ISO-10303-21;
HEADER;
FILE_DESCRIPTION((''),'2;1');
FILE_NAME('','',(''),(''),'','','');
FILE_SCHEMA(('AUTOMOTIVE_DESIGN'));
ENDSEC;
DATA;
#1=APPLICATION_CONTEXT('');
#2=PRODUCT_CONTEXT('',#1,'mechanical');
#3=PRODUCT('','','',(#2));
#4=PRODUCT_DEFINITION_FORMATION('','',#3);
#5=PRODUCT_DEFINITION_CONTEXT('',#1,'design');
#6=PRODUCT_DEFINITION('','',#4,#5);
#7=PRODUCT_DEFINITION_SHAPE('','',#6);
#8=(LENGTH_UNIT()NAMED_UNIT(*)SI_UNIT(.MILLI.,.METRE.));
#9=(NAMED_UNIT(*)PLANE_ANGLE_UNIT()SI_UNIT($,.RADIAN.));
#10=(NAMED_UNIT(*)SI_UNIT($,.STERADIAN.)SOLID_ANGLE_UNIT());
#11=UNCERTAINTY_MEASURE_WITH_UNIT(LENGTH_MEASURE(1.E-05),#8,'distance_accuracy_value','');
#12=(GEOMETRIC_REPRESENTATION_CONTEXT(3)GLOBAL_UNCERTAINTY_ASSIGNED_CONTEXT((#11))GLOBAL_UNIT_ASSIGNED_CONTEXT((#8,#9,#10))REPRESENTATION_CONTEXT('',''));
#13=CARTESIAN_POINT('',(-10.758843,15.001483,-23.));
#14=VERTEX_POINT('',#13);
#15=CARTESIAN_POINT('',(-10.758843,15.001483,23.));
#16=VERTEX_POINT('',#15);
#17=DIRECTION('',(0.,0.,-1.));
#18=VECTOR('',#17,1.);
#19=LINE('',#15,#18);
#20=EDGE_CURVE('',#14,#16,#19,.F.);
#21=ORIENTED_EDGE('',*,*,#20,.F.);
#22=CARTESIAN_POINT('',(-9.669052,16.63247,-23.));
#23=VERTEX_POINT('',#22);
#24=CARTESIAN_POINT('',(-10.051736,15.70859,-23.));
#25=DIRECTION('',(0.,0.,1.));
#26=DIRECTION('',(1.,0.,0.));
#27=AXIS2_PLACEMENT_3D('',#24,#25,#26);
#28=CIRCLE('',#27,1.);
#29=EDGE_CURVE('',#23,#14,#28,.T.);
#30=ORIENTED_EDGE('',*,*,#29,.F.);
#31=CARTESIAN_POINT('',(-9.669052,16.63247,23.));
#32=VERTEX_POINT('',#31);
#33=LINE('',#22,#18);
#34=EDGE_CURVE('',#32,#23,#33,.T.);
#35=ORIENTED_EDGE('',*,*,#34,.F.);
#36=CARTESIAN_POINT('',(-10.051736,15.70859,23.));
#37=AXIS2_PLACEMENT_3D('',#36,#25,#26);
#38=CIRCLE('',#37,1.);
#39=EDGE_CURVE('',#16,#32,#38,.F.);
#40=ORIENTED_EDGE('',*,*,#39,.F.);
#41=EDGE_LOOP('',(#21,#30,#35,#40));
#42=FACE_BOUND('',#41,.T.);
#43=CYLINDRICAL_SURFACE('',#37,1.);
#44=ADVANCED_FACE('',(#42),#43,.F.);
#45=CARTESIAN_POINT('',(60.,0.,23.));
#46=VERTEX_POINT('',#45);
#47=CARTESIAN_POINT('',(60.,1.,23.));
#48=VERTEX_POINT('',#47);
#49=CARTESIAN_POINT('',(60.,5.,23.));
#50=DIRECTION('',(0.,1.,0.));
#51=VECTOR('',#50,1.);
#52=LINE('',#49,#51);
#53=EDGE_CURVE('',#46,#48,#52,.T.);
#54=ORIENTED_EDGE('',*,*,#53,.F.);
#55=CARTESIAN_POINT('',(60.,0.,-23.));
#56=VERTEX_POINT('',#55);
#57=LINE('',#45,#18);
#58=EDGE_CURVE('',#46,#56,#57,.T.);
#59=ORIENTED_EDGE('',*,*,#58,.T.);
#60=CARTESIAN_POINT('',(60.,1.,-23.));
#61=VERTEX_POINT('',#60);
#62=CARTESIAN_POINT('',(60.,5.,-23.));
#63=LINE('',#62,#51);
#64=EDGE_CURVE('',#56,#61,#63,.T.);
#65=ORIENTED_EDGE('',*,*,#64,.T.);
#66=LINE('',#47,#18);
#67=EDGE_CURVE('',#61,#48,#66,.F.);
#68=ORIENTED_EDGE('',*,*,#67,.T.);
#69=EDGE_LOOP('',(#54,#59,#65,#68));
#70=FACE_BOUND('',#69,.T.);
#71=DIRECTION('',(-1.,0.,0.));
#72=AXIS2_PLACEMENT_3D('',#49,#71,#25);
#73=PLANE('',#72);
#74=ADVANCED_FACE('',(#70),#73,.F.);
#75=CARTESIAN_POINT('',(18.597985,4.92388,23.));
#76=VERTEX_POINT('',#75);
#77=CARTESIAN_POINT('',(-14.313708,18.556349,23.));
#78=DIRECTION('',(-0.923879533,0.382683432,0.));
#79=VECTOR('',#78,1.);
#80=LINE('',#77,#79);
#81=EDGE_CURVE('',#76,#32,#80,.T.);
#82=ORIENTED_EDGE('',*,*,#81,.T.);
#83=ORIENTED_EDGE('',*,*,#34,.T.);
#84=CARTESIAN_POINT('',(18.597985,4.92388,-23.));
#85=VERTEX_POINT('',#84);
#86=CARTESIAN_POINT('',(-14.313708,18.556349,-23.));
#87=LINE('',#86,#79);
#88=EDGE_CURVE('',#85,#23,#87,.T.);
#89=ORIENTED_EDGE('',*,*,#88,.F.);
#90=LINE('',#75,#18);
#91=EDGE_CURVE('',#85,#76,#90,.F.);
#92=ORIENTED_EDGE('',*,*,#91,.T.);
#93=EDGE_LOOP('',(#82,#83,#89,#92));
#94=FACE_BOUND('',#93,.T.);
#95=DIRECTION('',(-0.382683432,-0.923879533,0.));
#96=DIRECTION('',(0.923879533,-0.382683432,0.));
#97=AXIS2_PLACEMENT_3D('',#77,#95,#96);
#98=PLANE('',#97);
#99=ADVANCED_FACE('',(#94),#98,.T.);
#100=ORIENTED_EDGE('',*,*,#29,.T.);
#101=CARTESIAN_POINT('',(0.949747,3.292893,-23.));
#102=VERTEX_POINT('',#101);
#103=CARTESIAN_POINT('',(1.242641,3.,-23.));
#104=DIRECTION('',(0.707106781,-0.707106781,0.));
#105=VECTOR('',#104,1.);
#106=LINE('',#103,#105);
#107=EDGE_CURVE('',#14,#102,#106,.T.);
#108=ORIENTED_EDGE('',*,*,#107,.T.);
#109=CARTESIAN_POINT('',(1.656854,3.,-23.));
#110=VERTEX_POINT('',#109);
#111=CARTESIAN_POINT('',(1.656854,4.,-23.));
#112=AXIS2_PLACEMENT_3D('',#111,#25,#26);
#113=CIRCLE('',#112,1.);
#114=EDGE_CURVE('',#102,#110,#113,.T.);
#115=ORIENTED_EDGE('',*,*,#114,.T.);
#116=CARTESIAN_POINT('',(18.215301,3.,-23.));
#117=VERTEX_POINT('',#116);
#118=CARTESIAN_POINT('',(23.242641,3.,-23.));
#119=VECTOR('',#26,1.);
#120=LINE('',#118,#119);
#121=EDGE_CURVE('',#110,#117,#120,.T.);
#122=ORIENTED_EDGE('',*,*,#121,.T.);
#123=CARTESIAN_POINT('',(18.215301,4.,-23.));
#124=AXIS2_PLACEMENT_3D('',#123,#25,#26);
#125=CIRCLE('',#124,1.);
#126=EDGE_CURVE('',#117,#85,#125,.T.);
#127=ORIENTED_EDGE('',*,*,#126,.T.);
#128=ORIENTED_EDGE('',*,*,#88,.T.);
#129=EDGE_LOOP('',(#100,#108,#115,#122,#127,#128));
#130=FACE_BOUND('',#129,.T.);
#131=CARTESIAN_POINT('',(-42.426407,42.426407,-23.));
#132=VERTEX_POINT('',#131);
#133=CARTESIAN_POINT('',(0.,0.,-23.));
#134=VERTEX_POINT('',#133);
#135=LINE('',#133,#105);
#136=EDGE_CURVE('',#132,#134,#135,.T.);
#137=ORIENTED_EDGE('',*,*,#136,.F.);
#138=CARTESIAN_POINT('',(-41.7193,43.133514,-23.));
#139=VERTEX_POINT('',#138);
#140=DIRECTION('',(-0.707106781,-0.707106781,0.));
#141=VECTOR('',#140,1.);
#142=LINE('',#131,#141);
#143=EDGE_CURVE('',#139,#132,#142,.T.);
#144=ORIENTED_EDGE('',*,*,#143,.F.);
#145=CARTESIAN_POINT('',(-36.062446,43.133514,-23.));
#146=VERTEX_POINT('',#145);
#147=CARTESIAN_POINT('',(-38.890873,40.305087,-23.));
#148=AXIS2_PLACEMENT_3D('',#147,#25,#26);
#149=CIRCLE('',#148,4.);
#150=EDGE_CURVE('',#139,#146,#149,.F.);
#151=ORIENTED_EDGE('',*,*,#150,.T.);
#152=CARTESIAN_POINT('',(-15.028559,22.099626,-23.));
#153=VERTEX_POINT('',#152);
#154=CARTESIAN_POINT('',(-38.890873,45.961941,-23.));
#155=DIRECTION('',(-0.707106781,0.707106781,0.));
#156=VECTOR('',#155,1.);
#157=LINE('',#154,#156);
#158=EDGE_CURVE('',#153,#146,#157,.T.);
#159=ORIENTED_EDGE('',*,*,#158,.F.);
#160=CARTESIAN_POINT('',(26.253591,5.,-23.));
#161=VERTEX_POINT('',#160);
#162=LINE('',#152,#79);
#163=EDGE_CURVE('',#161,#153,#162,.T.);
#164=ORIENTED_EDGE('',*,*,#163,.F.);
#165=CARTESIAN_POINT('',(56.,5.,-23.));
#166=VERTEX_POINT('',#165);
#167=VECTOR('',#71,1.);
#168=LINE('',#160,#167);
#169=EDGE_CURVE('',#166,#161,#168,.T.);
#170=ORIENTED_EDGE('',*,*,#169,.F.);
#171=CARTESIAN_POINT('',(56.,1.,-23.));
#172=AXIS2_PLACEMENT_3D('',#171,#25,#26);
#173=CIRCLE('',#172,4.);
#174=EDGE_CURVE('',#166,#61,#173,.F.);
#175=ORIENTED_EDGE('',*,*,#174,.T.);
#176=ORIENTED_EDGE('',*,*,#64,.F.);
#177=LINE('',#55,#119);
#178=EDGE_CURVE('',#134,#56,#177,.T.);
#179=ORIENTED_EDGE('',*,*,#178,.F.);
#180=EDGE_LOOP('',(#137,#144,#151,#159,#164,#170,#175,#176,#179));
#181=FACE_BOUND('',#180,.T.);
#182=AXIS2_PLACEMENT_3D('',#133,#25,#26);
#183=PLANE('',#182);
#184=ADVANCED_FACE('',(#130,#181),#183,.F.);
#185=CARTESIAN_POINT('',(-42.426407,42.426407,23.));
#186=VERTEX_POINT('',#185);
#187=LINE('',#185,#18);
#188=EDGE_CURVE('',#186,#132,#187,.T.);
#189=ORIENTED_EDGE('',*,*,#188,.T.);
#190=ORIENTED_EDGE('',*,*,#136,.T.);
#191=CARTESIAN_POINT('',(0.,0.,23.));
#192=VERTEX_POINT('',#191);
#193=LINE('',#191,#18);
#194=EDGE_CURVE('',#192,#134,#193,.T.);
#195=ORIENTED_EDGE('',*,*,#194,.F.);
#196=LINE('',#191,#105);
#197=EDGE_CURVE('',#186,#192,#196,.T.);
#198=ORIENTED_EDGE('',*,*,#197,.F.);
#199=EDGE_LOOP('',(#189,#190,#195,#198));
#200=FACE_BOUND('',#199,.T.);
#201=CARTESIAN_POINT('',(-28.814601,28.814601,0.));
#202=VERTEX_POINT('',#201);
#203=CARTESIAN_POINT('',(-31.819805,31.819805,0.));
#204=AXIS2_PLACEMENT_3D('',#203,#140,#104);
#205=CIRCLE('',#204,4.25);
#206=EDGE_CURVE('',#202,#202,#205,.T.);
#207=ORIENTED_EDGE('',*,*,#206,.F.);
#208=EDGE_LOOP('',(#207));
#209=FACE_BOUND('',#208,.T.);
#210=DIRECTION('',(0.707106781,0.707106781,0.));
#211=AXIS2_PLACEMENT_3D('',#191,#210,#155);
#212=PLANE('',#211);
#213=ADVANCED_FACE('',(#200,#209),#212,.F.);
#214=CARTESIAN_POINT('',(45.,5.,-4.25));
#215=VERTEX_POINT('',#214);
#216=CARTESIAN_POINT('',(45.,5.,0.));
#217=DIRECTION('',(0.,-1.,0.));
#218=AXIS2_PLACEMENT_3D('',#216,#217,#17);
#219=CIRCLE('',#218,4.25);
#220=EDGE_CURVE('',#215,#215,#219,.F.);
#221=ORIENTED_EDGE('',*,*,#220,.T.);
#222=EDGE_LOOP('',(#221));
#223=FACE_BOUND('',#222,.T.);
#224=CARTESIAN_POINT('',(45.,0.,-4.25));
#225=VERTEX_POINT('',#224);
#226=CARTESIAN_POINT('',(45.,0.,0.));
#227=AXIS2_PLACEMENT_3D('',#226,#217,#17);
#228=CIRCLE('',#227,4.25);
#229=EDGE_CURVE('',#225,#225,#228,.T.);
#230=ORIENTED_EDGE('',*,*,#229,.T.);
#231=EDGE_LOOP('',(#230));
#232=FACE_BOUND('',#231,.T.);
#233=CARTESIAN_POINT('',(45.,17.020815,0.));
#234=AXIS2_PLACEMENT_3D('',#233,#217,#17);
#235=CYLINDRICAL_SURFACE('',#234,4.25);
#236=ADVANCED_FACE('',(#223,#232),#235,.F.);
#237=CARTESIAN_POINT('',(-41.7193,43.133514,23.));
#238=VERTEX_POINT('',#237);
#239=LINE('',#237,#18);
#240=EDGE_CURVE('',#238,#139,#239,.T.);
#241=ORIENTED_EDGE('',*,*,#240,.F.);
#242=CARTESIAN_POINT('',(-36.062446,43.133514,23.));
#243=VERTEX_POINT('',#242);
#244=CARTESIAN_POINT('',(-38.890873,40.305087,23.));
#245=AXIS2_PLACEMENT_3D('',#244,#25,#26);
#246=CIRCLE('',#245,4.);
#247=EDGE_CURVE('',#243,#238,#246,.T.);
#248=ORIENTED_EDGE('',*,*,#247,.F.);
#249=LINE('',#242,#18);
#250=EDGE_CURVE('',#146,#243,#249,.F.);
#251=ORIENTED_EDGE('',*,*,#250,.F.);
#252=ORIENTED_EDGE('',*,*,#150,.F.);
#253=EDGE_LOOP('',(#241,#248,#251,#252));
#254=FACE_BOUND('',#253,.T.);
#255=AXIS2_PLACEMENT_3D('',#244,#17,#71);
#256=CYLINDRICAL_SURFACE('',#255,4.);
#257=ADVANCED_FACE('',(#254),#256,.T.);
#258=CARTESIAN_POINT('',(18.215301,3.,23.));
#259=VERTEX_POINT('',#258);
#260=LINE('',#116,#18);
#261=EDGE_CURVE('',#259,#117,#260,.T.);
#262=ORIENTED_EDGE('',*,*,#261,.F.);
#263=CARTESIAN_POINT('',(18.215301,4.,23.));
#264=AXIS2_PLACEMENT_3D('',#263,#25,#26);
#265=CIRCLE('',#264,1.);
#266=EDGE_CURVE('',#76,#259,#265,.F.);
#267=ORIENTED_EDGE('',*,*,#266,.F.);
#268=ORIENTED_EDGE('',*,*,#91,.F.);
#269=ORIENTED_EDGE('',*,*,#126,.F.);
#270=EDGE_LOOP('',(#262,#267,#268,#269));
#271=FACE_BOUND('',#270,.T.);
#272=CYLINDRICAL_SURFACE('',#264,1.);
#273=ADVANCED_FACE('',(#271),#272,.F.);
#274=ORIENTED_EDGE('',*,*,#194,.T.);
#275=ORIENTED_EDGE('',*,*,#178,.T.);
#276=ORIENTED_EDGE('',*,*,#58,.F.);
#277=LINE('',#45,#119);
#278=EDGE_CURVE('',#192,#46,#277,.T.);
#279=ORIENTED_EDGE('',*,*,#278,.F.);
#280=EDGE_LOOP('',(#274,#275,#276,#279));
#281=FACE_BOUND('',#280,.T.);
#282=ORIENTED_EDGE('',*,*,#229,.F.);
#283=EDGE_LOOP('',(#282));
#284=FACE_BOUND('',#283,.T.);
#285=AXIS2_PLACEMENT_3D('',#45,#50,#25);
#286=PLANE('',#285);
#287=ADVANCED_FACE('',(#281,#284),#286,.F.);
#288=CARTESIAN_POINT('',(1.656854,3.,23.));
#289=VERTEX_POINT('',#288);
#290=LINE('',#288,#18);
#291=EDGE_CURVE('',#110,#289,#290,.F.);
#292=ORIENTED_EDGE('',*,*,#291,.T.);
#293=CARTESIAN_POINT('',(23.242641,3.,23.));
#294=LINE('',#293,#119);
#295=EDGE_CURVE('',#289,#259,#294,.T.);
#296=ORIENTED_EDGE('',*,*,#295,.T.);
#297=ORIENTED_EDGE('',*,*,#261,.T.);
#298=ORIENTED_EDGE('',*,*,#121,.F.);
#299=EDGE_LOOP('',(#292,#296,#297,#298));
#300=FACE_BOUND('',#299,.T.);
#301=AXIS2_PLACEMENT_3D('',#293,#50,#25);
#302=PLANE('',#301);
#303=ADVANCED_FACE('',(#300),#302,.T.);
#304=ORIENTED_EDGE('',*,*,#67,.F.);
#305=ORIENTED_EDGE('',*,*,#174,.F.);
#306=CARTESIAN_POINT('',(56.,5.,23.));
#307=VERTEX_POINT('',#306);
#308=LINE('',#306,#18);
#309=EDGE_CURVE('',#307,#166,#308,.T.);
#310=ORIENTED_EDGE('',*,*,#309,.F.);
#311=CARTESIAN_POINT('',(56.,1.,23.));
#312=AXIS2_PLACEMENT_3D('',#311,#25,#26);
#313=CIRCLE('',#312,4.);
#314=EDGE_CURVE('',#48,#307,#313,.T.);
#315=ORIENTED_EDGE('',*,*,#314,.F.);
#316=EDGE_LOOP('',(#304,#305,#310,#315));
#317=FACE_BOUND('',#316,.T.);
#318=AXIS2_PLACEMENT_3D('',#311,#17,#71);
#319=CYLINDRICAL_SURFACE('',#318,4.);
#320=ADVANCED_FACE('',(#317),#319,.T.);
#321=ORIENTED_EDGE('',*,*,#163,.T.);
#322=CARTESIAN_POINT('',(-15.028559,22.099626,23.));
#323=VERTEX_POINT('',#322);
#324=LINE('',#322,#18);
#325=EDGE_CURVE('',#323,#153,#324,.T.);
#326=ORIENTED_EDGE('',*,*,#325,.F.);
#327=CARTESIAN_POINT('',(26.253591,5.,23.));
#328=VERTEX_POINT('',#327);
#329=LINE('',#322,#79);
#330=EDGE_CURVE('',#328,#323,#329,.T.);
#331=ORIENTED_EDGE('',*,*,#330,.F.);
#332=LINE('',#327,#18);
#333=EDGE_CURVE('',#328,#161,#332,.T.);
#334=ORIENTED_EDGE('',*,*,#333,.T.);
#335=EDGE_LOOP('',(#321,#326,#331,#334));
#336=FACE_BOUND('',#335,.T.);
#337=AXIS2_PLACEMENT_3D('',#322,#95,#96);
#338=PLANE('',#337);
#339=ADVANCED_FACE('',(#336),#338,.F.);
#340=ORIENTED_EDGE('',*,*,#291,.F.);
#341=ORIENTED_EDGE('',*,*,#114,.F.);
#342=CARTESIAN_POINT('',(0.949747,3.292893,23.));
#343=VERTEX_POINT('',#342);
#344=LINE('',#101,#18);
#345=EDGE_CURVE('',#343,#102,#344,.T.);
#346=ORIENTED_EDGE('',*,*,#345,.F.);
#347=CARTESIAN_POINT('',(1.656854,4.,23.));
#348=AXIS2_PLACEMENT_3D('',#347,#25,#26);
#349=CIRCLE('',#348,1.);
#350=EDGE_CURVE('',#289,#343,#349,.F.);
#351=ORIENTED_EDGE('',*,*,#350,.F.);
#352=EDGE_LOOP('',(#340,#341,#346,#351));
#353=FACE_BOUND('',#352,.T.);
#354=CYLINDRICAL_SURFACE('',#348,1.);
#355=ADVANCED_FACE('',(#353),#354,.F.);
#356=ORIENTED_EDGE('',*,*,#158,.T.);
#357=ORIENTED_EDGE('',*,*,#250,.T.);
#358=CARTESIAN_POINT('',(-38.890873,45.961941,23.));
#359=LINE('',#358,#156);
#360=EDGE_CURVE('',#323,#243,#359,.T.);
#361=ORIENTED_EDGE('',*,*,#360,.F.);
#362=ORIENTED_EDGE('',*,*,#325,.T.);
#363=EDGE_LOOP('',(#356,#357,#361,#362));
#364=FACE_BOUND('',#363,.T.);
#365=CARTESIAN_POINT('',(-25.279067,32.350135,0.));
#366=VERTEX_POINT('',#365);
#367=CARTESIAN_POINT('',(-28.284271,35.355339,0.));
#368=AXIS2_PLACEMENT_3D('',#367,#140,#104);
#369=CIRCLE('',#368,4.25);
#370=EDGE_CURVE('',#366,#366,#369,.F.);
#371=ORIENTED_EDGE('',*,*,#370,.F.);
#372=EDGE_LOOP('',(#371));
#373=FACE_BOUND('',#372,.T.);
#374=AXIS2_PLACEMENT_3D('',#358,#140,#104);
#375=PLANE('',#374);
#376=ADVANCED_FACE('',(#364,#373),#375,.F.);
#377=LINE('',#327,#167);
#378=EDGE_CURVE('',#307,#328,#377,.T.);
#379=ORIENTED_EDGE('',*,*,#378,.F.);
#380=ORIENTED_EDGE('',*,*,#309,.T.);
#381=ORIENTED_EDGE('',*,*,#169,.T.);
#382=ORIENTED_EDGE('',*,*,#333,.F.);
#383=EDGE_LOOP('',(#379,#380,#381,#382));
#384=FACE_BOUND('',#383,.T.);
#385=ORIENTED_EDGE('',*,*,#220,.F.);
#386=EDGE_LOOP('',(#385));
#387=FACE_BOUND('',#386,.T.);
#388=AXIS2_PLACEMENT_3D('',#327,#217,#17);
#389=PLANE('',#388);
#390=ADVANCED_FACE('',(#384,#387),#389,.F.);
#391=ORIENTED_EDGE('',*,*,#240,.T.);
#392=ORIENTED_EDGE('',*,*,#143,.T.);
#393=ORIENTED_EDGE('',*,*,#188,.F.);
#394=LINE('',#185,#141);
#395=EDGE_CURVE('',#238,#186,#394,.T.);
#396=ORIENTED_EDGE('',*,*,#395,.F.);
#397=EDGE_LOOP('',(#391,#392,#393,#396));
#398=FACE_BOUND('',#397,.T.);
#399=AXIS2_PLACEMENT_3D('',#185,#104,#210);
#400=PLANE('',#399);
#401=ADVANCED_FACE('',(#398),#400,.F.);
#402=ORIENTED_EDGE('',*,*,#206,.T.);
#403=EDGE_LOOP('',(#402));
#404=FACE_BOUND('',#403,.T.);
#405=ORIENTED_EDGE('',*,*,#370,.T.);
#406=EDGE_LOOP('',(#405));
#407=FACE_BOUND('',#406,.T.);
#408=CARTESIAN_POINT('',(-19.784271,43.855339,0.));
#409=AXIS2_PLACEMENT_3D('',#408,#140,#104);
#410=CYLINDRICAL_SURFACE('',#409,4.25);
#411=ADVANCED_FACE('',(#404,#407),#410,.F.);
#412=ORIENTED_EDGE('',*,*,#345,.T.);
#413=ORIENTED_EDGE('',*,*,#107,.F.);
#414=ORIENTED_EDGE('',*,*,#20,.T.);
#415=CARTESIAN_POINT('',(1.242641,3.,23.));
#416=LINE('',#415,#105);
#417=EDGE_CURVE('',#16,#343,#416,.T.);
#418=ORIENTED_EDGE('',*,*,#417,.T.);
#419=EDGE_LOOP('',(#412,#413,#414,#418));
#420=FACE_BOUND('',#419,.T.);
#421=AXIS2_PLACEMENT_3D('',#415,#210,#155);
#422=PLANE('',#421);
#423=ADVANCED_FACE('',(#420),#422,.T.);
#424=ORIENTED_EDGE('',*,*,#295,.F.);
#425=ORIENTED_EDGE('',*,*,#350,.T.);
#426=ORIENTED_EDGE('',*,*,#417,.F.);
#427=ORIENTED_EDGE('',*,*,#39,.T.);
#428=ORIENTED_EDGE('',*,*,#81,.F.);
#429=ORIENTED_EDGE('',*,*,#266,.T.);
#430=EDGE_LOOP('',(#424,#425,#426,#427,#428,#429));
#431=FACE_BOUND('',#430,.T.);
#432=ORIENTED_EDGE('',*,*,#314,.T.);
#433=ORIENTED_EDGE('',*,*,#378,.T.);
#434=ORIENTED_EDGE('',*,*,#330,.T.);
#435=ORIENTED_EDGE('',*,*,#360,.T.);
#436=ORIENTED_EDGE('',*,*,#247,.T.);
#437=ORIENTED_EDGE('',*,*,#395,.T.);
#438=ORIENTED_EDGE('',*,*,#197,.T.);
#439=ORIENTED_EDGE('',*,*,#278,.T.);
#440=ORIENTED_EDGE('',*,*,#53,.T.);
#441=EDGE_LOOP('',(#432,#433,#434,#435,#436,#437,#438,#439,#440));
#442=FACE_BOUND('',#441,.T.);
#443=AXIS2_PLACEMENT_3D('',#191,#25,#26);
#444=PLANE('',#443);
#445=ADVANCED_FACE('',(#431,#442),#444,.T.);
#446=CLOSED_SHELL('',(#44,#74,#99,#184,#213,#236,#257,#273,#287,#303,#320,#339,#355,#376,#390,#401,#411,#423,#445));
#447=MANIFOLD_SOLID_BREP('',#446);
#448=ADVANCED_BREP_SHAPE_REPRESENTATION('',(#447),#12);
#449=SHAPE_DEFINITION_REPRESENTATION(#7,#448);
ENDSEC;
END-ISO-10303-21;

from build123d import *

# Parameters (mm, degrees)
EXTRUDE_1_DEPTH     = 23
SKETCH_2_R          = 4.25
CUT_EXTRUDE_1_DEPTH = 5
SKETCH_3_R          = 4.25
CUT_EXTRUDE_2_DEPTH = 5
FILLET_1_R          = 4
FILLET_2_R          = 1


with BuildPart() as part:
    # Эскиз1 → Бобышка-Вытянуть1 (new body, symmetric)
    with BuildSketch(Plane.XY):
        Polygon((0, 0), (-42.426406871, 42.426406871), (-38.890872965, 45.961940777), (-15.028558569, 22.099626381), (26.253591352, 5), (60, 5), (60, 0), align=None)
        Polygon((-14.313708499, 18.556349186), (23.242640687, 3), (1.242640687, 3), align=None, mode=Mode.SUBTRACT)
    extrude(amount=EXTRUDE_1_DEPTH, both=True)

    # Эскиз2 → Вырез-Вытянуть1 (cut)
    with BuildSketch(Plane(origin=(0, 0, 0), x_dir=(0, 0, 1), z_dir=(-0.707106781, -0.707106781, 0))):
        with Locations(Location((0, 45, 0), (0, 0, 270))):  # turned: the seam where the file's is
            Circle(SKETCH_2_R)
    extrude(amount=-CUT_EXTRUDE_1_DEPTH, mode=Mode.SUBTRACT)

    # Эскиз3 → Вырез-Вытянуть2 (cut)
    with BuildSketch(Plane.XZ):
        with Locations(Location((45, 0, 0), (0, 0, 270))):  # turned: the seam where the file's is
            Circle(SKETCH_3_R)
    extrude(amount=-CUT_EXTRUDE_2_DEPTH, mode=Mode.SUBTRACT)

    # Скругление1
    fillet_1_edges = [part.edges().sort_by_distance(p)[0] for p in [
        (-38.890872965, 45.961940777, 0),
        (60, 5, 0),
    ]]
    fillet(fillet_1_edges, radius=FILLET_1_R)

    # Скругление2
    fillet_2_edges = [part.edges().sort_by_distance(p)[0] for p in [
        (-14.313708499, 18.556349186, 0),
        (1.242640687, 3, 0),
        (23.242640687, 3, 0),
    ]]
    fillet(fillet_2_edges, radius=FILLET_2_R)


solid = part.part
